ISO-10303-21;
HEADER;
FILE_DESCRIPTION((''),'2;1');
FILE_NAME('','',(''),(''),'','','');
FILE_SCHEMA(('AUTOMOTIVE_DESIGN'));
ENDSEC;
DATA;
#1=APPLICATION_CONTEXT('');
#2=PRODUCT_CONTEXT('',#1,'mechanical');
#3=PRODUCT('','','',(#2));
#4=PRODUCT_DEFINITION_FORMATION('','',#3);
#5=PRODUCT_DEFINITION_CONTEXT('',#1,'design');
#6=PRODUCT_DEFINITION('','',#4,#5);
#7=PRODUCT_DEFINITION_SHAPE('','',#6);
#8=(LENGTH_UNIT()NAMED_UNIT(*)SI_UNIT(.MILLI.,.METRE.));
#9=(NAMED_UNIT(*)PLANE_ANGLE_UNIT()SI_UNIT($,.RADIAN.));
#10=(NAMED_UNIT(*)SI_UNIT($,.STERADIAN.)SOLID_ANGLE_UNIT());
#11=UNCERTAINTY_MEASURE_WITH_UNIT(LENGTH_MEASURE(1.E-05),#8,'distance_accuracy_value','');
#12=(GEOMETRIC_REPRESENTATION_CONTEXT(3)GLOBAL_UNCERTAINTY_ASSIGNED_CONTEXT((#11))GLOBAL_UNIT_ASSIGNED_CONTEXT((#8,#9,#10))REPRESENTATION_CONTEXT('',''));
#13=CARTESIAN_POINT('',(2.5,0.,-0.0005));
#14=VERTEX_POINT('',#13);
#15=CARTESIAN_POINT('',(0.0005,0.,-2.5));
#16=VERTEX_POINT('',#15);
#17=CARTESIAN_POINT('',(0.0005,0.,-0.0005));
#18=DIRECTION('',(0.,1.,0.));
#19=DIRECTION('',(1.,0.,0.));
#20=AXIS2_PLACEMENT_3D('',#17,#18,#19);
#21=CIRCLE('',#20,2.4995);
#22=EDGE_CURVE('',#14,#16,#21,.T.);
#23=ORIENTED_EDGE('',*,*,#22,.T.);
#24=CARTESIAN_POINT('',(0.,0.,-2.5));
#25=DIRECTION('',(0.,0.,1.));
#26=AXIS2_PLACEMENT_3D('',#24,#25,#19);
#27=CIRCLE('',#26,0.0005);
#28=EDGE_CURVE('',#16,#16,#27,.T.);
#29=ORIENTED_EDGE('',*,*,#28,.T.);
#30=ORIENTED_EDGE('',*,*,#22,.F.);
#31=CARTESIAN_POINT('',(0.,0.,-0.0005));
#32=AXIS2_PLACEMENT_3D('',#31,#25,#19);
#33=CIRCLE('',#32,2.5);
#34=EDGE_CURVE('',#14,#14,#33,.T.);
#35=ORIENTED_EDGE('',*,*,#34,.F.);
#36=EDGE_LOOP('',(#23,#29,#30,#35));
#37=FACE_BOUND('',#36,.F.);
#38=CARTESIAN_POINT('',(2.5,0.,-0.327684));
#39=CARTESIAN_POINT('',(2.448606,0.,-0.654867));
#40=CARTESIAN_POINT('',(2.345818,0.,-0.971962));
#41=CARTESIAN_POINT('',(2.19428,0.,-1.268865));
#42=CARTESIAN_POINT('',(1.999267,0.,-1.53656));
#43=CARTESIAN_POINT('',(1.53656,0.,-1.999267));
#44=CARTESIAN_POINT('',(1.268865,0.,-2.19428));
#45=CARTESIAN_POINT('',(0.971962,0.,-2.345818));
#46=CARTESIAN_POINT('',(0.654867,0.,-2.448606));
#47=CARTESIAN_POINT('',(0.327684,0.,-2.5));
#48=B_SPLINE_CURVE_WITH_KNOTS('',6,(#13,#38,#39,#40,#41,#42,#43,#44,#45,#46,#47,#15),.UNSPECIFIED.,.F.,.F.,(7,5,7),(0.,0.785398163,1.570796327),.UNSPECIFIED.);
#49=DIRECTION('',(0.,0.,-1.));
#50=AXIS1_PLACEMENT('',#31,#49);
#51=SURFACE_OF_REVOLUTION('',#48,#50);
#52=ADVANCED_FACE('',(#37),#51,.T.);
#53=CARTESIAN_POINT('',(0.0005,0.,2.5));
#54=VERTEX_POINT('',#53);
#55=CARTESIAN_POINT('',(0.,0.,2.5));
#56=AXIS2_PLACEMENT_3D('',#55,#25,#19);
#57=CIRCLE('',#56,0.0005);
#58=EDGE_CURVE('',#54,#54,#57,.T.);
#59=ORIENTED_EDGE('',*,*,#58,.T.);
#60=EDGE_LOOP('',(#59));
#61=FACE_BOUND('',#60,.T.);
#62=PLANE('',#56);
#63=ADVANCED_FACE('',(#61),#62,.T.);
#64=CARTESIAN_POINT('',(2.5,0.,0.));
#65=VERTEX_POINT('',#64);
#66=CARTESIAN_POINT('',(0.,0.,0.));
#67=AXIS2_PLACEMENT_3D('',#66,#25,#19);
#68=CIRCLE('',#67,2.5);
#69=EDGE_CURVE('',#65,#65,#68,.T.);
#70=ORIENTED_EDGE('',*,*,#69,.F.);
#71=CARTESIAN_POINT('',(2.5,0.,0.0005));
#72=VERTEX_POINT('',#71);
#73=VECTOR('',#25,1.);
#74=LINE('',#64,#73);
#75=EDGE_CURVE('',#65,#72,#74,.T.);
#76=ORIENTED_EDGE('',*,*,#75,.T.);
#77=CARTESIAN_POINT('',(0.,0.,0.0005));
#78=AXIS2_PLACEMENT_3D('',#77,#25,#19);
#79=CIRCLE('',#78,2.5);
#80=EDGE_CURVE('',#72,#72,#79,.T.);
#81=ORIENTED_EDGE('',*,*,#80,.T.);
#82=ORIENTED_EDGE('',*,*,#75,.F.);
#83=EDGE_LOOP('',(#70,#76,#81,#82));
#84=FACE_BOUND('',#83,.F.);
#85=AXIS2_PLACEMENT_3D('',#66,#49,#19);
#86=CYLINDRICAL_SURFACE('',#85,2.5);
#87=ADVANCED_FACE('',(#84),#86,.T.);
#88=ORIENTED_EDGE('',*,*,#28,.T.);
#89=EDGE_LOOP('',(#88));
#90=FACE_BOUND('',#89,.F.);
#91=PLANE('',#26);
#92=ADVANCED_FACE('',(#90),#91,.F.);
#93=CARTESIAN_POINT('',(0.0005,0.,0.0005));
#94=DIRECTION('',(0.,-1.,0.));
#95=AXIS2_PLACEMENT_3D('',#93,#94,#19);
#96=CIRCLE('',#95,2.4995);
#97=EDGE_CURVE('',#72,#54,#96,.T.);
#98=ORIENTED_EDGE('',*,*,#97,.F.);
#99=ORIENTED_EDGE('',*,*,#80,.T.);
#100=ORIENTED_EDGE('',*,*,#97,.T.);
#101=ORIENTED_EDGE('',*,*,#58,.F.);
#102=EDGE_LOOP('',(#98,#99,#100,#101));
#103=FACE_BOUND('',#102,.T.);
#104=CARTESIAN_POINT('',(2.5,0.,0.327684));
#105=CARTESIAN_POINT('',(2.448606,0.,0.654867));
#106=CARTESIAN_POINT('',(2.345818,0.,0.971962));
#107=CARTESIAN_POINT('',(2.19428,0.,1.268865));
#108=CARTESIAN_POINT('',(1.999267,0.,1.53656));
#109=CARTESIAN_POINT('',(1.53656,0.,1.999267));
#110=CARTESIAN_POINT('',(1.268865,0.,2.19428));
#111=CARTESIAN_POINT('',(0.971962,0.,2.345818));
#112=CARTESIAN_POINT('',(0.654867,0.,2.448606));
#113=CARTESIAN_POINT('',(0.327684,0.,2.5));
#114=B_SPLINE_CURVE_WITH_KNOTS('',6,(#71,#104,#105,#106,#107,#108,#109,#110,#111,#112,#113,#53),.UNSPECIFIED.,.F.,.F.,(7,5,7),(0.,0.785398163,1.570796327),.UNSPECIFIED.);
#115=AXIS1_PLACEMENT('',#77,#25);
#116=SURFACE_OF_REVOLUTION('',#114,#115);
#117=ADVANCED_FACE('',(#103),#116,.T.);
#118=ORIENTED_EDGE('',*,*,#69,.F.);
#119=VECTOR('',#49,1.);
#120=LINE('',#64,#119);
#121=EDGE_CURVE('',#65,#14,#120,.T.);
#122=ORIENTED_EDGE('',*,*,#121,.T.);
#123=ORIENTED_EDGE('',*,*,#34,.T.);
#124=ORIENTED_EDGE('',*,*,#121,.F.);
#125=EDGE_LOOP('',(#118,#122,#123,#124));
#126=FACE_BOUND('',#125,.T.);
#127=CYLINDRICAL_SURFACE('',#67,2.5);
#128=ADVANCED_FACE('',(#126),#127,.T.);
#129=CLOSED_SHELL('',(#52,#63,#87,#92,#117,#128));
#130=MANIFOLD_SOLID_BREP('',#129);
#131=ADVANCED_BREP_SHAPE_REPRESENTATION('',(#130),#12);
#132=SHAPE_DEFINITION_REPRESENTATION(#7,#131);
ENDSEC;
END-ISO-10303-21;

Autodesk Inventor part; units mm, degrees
ref_plane "YZ Plane" through (0, 0, 0) normal (1, 0, 0) x (0, 1, 0)
ref_plane "XZ Plane" through (0, 0, 0) normal (0, 1, 0) x (-1, 0, 0)
ref_plane "XY Plane" through (0, 0, 0) normal (0, 0, 1) x (1, 0, 0)
sketch "Sketch1" plane through (0, 0, 0) normal (0, 0, 1) x (1, 0, 0)
  circle A0 centre (0, 0) radius 2.5
  dimension "d0" = 5
extrude "Extrusion1" add sketch "Sketch1" along normal mid plane 5
fillet "Fillet1" radius 2.5 2 edges at (-2.5, 0, 2.5) (-2.5, 0, -2.5)
equation "\"d1\" = d0"
properties part number "Steel Ball 05mm" material "Stainless Steel"
